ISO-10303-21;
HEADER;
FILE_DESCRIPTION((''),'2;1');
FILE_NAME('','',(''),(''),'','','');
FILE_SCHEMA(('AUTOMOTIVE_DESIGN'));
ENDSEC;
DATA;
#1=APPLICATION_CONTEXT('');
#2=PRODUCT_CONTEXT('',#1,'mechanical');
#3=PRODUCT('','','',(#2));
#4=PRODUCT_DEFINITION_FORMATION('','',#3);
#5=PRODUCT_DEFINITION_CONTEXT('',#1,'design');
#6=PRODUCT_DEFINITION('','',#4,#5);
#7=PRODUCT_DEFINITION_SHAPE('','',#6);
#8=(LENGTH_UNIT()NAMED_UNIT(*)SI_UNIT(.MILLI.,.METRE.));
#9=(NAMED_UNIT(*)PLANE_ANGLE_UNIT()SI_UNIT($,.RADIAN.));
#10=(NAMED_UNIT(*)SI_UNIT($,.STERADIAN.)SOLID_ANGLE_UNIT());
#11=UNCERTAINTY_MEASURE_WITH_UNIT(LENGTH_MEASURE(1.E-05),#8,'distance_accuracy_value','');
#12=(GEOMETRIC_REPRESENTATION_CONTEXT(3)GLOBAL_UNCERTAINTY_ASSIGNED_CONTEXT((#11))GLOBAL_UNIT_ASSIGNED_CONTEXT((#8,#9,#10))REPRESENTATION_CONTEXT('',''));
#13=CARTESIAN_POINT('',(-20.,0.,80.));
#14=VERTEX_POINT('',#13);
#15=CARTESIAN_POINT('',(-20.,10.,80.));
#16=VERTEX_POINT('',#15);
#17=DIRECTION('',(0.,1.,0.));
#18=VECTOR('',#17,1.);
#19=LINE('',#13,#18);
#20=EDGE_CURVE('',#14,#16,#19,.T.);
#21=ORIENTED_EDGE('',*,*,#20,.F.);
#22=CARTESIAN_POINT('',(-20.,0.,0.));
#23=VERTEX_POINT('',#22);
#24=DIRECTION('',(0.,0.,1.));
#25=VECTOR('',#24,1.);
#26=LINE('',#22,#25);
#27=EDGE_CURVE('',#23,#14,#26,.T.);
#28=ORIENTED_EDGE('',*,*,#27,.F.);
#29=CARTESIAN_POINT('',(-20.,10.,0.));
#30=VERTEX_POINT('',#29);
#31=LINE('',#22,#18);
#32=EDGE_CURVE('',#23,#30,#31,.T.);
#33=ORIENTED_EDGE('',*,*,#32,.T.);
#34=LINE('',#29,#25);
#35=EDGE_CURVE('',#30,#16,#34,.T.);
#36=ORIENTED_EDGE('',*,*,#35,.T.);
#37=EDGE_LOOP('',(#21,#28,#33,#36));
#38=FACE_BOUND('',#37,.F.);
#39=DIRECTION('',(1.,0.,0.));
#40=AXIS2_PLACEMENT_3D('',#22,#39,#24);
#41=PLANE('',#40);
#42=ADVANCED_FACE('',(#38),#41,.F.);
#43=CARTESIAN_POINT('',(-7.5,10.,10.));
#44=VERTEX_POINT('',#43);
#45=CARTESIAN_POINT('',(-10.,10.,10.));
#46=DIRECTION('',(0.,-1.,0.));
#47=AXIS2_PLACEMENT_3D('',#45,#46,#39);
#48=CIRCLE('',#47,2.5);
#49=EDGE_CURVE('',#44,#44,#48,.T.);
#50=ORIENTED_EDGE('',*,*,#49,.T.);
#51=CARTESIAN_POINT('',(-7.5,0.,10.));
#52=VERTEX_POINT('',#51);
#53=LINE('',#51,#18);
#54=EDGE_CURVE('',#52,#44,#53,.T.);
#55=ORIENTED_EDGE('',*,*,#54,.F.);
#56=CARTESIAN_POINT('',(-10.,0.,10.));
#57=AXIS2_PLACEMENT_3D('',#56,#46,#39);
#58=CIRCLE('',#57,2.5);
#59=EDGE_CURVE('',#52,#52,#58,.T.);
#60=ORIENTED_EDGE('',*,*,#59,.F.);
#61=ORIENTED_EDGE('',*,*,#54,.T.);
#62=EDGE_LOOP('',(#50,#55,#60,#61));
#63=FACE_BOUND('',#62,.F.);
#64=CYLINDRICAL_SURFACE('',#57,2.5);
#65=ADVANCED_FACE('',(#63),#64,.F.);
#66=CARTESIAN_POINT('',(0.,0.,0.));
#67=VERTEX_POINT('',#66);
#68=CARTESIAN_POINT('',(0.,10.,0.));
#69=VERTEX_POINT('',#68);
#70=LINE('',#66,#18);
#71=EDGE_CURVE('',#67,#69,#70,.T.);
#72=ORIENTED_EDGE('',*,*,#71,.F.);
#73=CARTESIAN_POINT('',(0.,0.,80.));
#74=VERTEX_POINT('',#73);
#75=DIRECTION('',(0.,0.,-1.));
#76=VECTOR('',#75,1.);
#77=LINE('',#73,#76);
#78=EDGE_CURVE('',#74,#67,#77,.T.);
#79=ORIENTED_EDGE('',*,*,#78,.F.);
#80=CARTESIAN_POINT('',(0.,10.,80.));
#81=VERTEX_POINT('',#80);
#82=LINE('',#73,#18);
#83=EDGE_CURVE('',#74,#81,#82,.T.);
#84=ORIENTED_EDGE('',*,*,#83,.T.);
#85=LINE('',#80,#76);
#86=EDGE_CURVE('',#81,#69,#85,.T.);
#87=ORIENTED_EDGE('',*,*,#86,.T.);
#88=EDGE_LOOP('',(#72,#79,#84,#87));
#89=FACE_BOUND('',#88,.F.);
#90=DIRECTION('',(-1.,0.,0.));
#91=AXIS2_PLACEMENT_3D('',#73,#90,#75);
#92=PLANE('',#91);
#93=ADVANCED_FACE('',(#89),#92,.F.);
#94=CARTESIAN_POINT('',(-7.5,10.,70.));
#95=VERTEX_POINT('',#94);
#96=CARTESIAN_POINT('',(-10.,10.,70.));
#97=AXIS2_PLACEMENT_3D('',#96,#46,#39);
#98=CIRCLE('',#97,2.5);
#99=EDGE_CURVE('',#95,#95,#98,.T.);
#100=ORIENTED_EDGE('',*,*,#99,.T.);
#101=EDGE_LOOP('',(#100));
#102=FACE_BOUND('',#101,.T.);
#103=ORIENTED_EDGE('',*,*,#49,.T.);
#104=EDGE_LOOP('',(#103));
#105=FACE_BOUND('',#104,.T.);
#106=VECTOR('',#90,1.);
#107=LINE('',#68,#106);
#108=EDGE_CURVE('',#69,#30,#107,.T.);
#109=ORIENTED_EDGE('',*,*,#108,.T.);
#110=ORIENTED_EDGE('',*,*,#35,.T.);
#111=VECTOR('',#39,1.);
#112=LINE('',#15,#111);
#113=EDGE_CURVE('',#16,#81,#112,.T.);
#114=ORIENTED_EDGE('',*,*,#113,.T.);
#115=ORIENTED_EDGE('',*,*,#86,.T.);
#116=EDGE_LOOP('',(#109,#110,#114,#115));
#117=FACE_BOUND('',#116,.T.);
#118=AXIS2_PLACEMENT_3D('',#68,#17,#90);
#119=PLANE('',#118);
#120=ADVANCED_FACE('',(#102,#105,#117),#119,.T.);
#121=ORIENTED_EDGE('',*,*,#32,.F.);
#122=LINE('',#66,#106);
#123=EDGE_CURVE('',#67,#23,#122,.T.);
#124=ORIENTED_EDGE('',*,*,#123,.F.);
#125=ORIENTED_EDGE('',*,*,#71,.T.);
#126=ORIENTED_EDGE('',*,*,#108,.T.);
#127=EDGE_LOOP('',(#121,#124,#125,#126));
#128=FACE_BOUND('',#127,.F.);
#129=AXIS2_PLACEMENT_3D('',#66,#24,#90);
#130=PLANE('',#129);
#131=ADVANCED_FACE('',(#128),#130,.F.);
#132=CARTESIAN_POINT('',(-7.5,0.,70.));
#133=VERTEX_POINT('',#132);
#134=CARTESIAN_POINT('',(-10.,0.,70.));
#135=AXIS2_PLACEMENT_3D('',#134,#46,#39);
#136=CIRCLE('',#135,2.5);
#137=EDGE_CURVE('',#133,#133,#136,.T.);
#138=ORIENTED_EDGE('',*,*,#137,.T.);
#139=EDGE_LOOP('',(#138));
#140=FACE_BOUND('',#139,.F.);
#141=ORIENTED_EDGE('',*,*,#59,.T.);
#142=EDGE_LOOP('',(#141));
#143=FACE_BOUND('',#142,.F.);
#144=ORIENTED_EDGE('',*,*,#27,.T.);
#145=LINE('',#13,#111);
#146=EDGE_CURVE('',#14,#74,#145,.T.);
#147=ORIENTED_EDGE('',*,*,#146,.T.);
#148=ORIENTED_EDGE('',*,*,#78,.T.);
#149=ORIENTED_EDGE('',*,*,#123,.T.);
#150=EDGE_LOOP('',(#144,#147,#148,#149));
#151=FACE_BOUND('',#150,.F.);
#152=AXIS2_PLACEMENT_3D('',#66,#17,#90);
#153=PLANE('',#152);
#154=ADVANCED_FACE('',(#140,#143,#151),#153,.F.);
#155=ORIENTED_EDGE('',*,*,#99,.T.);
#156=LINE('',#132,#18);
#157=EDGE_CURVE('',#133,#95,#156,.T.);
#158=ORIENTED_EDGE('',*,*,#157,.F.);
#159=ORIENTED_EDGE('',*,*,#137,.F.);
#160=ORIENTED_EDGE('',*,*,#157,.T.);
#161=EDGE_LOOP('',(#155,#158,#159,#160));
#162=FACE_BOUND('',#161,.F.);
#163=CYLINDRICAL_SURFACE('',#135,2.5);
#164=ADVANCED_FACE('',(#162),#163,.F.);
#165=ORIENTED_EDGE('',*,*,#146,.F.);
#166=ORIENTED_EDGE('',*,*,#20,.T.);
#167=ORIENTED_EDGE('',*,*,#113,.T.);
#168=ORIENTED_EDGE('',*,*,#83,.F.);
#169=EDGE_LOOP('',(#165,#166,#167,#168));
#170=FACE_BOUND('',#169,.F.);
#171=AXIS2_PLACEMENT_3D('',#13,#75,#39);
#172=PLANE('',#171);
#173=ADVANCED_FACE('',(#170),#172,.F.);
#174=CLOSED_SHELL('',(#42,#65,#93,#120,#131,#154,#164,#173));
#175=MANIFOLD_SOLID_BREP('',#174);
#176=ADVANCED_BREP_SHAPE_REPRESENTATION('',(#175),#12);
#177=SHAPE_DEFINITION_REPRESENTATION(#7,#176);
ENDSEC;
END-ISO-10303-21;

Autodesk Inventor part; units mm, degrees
ref_plane "YZ Plane" through (0, 0, 0) normal (1, 0, 0) x (0, 1, 0)
ref_plane "XZ Plane" through (0, 0, 0) normal (0, 1, 0) x (-1, 0, 0)
ref_plane "XY Plane" through (0, 0, 0) normal (0, 0, 1) x (1, 0, 0)
sketch "Sketch4" plane through (0, 0, 0) normal (0, 1, 0) x (-1, 0, 0)
  line L0 (0, 0) -> (20, 0)
  line L1 (20, 0) -> (20, 80)
  line L2 (20, 80) -> (0, 80)
  line L3 (0, 80) -> (0, 0)
  circle A0 centre (-8.1929, 3.0927) radius 2.5
  dimension "d0" = 80
  dimension "d3" = 20
  dimension "d4" = 5
extrude "Extrusion1" add sketch "Sketch4" along normal blind 10 contours L3 L2 L1 L0
sketch "Sketch5" plane through (0, 0, 0) normal (0, -1, 0) x (1, 0, 0)
  line L0 (0, 0) -> (-20, 0) projected
  line L1 (0, 80) -> (0, 0) projected
  line L2 (-20, 80) -> (0, 80) projected
  line L3 (-20, 0) -> (-20, 80) projected
  circle A0 centre (-10, 10) radius 2.5
  circle A1 centre (-10, 70) radius 2.5
  dimension "d5" = 5
  dimension "d6" = 5
  dimension "d7" = 10
  dimension "d8" = 10
  dimension "d9" = 10
  dimension "d10" = 10
extrude "Extrusion2" cut sketch "Sketch5" against normal through all contours A0 | A1
properties part number "holdersupport"
